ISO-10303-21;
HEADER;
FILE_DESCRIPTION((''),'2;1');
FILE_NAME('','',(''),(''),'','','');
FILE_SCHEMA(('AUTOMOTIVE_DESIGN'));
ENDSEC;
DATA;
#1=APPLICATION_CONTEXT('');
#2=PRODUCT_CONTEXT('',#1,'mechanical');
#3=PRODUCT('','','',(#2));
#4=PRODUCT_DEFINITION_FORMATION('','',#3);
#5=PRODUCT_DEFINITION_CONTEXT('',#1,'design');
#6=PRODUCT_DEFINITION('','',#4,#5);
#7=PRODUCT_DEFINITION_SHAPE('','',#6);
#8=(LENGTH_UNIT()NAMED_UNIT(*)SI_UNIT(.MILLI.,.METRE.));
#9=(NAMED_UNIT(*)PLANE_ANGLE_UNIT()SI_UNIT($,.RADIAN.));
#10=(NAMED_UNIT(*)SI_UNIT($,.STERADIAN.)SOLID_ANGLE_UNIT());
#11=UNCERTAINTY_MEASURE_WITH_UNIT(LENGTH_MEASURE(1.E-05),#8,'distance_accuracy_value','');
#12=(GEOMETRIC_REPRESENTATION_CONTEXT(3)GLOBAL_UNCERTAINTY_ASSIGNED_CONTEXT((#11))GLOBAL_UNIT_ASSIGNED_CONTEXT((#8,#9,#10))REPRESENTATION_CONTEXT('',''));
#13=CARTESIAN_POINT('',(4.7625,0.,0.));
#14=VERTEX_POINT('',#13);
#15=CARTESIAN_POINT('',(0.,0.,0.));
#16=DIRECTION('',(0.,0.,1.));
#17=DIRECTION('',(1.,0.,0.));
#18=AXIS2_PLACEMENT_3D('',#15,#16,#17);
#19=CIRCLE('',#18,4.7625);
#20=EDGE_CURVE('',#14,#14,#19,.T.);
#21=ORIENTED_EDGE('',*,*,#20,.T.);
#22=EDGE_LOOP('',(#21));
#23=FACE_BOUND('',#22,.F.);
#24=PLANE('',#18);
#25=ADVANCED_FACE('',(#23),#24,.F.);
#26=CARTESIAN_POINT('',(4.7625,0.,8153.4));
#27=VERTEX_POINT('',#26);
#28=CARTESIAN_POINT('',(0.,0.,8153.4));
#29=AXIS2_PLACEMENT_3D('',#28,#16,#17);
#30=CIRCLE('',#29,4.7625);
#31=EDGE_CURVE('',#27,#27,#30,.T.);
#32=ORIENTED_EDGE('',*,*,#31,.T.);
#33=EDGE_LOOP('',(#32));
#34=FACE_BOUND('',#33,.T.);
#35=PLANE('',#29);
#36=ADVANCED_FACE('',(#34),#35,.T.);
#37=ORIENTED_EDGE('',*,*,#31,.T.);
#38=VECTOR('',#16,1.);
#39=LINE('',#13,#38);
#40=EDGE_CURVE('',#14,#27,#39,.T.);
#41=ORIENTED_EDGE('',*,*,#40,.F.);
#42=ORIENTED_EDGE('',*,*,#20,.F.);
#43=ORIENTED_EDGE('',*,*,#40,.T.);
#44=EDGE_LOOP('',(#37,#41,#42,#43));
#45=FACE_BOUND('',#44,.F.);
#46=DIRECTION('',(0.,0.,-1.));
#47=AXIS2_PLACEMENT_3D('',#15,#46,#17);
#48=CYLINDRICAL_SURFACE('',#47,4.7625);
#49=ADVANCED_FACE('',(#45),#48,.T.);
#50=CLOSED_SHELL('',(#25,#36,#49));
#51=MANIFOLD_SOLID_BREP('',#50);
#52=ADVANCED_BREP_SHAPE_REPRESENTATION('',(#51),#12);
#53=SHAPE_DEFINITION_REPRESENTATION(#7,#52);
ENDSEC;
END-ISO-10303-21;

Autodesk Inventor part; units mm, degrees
ref_plane "YZ Plane" through (0, 0, 0) normal (1, 0, 0) x (0, 1, 0)
ref_plane "XZ Plane" through (0, 0, 0) normal (0, 1, 0) x (-1, 0, 0)
ref_plane "XY Plane" through (0, 0, 0) normal (0, 0, 1) x (1, 0, 0)
sketch "Sketch1" plane through (0, 0, 0) normal (0, 0, 1) x (1, 0, 0)
  circle A0 centre (0, 0) radius 4.7625
  dimension "d0" = 9.525
extrude "Extrusion1" add sketch "Sketch1" along normal blind 8153.4
properties part number "kevlarCentering" material "Polyethylene, High Density"
